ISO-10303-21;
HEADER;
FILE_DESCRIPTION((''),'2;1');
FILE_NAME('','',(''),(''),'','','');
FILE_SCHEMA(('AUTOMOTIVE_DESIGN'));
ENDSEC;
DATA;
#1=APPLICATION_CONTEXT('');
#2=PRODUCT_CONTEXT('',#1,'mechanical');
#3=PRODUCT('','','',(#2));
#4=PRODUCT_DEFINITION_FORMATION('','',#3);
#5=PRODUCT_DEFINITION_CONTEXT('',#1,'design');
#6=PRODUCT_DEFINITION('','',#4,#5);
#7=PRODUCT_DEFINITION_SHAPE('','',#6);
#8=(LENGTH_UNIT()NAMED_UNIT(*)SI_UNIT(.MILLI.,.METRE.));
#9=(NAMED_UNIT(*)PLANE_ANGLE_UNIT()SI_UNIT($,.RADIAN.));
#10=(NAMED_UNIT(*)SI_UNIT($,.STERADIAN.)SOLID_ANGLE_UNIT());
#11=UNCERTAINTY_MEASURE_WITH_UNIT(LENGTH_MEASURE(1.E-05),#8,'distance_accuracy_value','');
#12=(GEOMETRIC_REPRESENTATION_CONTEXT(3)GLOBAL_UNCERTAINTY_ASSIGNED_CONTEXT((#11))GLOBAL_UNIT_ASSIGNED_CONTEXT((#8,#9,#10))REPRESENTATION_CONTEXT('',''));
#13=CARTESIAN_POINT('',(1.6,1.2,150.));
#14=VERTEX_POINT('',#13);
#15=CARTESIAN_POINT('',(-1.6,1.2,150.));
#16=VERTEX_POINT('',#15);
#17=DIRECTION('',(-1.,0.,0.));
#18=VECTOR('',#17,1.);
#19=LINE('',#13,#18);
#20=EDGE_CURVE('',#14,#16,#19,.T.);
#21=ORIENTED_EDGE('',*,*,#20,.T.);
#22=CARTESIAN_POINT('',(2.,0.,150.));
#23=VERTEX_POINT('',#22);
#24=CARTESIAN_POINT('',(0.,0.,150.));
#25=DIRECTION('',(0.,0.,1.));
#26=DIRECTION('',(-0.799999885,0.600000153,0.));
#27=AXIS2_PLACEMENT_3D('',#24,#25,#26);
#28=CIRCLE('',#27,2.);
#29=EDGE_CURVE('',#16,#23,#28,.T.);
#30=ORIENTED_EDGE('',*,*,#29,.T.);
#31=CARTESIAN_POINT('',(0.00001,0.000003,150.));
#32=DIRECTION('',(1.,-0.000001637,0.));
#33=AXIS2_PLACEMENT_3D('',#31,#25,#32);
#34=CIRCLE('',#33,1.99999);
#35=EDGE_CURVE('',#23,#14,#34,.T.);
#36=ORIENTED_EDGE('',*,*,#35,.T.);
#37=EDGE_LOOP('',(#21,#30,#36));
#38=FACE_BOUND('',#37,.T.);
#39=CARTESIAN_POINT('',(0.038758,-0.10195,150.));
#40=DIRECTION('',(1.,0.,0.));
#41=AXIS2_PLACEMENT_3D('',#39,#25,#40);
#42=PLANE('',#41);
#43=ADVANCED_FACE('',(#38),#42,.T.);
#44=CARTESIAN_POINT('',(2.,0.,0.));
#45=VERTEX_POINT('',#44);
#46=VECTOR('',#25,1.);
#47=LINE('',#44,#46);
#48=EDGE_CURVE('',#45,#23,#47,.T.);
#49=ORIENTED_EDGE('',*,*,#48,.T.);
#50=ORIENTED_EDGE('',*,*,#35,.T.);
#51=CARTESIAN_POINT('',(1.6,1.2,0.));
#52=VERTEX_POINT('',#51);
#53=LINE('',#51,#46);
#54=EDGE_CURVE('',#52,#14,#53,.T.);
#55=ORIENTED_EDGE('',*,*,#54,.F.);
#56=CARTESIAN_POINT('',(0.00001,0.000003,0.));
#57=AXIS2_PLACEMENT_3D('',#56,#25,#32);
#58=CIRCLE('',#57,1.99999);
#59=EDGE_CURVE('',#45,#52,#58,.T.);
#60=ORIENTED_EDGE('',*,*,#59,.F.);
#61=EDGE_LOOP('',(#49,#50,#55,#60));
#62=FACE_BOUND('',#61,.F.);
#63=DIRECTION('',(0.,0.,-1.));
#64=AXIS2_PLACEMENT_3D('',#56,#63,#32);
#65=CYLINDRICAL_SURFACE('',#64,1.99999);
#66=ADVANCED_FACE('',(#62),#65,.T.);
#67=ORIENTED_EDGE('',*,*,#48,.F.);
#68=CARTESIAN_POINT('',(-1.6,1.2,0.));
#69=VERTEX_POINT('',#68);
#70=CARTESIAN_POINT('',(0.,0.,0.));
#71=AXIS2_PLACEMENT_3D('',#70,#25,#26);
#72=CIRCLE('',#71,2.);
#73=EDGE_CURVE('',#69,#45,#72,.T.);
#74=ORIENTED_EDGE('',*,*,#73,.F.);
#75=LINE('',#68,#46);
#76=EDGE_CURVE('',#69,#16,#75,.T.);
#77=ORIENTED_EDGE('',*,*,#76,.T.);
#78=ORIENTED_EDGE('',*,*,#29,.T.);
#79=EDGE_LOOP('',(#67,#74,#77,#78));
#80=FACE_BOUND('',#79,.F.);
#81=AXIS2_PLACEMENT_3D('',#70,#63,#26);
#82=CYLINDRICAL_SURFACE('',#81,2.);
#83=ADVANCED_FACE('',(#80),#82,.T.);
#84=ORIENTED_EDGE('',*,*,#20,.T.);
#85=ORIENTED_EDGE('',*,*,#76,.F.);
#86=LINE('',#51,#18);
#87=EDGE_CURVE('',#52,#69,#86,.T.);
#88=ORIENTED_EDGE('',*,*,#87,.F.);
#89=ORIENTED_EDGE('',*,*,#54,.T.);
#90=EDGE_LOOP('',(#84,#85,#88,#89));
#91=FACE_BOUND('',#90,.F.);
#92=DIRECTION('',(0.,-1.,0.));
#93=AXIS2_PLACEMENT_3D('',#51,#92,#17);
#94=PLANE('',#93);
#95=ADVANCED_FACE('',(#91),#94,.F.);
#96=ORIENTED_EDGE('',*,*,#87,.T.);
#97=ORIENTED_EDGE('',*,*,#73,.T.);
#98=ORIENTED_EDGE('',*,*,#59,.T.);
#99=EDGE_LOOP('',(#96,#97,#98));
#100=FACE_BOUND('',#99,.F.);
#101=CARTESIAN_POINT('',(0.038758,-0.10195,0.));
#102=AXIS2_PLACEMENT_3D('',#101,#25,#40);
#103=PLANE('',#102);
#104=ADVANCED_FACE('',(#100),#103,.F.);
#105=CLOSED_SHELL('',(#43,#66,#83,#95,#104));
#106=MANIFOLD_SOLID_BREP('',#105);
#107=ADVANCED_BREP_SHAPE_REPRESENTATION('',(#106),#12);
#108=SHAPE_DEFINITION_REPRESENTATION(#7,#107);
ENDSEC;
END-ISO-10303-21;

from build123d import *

# Parameters (mm, degrees)
F1_DEPTH = 150


with BuildPart() as f1:
    # F0 (on Top) → F1 (new body)
    with BuildSketch(Plane.XY):
        with BuildLine():
            ThreePointArc((-1.6, 1.2), (-0.632456, -1.897367), (2, 0))
            ThreePointArc((2, 0), (1.897367, 0.632456), (1.6, 1.2))
            Line((1.6, 1.2), (-1.6, 1.2))
        make_face()
    extrude(amount=F1_DEPTH)


solid = f1.part
